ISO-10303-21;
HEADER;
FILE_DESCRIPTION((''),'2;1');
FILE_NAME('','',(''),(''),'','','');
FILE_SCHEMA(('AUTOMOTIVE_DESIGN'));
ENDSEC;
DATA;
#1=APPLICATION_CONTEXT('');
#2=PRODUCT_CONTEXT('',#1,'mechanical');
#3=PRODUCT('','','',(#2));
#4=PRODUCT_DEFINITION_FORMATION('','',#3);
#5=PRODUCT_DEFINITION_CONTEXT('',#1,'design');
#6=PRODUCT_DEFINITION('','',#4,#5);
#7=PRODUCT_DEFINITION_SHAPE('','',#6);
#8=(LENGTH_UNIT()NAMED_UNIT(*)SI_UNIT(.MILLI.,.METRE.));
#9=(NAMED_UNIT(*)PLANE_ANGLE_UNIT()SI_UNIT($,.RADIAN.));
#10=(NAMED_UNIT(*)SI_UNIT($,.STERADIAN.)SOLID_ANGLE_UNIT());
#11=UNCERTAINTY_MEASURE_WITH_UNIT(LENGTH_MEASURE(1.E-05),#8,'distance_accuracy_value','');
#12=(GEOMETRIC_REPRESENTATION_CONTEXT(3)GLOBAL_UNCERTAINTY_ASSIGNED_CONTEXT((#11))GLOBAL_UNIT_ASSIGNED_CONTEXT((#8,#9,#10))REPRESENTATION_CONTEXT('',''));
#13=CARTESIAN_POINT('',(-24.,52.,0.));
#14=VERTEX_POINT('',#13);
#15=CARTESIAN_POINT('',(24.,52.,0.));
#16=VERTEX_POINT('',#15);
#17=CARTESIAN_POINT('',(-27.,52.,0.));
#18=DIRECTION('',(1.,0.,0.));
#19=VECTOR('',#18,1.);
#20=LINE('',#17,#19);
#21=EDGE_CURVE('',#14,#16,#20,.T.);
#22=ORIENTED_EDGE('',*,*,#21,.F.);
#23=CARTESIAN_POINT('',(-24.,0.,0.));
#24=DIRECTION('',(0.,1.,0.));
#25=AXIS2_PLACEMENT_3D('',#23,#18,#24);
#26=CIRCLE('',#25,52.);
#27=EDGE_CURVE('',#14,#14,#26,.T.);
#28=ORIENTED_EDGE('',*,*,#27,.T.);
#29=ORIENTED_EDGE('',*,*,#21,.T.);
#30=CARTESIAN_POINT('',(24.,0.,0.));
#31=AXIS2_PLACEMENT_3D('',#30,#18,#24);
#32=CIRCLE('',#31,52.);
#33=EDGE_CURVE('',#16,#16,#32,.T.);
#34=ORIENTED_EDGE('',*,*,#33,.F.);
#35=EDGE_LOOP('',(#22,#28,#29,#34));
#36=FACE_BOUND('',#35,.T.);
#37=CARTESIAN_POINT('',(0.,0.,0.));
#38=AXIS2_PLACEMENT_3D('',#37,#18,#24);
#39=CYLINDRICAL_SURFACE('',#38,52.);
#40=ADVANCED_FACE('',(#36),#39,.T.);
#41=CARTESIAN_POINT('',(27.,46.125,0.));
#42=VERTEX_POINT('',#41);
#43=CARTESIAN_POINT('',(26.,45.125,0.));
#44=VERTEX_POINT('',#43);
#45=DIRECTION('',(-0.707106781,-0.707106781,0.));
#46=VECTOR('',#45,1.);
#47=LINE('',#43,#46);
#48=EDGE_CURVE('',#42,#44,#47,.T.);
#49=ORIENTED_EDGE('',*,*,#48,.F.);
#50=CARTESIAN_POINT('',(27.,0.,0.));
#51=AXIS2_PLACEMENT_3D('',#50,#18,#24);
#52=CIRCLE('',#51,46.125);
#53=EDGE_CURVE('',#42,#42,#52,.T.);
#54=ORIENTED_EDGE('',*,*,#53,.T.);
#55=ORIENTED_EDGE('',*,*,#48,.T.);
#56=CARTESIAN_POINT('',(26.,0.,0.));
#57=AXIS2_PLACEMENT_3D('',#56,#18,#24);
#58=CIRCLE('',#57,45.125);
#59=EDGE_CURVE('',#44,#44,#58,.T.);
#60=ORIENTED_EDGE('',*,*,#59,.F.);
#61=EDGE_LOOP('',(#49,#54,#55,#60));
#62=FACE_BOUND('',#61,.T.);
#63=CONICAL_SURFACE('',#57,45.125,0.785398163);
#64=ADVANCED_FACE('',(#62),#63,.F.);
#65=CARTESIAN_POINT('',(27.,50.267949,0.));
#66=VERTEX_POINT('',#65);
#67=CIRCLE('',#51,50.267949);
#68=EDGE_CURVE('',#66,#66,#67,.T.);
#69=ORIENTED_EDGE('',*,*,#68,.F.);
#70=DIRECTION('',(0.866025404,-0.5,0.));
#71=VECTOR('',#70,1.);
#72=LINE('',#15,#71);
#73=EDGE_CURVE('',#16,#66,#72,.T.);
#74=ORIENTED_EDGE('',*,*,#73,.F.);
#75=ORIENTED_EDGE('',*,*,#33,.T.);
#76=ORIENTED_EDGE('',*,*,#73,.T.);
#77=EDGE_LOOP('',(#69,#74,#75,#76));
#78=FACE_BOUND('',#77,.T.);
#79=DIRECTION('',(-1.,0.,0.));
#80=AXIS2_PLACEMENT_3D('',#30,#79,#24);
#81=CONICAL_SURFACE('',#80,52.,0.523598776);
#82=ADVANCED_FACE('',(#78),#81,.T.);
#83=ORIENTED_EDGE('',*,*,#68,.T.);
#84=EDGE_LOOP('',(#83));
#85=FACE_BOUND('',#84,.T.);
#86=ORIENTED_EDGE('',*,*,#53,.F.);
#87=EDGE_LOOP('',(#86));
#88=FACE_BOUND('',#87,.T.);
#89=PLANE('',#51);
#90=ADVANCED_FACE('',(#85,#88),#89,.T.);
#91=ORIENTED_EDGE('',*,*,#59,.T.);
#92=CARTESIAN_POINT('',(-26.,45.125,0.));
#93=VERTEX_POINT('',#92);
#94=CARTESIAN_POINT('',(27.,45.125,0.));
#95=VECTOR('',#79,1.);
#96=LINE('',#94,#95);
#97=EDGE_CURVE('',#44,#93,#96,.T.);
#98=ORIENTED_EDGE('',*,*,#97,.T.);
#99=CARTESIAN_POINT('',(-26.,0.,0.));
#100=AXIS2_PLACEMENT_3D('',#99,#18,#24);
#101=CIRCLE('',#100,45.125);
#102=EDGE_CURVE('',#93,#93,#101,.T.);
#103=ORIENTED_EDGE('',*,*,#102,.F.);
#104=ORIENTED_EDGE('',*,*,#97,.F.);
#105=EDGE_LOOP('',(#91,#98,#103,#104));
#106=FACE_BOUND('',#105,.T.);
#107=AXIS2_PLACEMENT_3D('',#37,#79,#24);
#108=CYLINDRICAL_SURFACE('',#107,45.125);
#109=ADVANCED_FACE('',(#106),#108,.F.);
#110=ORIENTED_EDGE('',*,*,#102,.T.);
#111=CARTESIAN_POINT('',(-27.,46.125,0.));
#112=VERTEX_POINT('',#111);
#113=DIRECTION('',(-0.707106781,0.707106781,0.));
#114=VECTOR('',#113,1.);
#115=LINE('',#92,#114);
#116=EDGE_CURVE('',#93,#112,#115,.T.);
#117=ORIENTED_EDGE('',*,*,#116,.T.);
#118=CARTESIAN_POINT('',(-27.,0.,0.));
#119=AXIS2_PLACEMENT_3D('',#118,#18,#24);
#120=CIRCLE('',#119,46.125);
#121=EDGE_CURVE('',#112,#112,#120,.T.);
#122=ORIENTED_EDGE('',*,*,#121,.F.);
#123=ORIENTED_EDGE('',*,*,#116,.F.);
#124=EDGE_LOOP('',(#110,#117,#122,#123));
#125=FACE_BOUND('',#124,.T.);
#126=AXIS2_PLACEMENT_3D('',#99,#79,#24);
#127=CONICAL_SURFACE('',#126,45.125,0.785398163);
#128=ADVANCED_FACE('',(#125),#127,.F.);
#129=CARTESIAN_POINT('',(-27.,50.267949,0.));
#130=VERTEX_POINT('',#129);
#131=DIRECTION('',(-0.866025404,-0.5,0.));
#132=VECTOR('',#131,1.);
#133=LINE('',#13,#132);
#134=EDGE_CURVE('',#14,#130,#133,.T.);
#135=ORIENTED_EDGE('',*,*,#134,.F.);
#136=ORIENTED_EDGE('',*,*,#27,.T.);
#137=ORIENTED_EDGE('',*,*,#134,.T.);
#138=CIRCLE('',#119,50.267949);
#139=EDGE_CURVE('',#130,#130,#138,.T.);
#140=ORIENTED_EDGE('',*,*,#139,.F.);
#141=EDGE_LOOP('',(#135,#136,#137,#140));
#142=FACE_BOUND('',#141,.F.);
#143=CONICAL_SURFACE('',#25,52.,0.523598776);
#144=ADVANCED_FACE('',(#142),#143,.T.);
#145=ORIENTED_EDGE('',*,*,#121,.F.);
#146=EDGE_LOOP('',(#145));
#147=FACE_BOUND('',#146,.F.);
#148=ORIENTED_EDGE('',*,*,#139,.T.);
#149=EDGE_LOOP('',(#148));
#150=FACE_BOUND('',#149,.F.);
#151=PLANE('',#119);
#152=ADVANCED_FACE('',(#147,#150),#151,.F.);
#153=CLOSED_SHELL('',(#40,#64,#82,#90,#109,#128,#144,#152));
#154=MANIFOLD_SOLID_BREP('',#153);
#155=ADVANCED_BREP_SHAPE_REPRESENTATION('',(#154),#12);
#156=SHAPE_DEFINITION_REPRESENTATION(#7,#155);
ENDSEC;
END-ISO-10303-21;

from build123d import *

# Parameters (mm, degrees)
F0_R     = 52
F0_R_2   = 45.125
F1_DEPTH = 27
F2_SIZE  = 1
F3_SIZE2 = 1.7320508076
F3_SIZE  = 3


with BuildPart() as f1:
    # F0 (on Right) → F1 (new body, symmetric)
    with BuildSketch(Plane.YZ):
        Circle(F0_R)
        Circle(F0_R_2, mode=Mode.SUBTRACT)
    extrude(amount=F1_DEPTH, both=True)

    # F2
    f2_edges = [f1.edges().sort_by_distance(p)[0] for p in [
        (27, -45.125, 0),
        (-27, -45.125, 0),
    ]]
    chamfer(f2_edges, length=F2_SIZE)

    # F3
    f3_edges = [f1.edges().sort_by_distance(p)[0] for p in [
        (-27, -52, 0),
        (27, -52, 0),
    ]]
    f3_side = f1.faces().sort_by_distance((0, -52, 0))[0]
    chamfer(f3_edges, length=F3_SIZE, length2=F3_SIZE2, reference=f3_side)


solid = f1.part
